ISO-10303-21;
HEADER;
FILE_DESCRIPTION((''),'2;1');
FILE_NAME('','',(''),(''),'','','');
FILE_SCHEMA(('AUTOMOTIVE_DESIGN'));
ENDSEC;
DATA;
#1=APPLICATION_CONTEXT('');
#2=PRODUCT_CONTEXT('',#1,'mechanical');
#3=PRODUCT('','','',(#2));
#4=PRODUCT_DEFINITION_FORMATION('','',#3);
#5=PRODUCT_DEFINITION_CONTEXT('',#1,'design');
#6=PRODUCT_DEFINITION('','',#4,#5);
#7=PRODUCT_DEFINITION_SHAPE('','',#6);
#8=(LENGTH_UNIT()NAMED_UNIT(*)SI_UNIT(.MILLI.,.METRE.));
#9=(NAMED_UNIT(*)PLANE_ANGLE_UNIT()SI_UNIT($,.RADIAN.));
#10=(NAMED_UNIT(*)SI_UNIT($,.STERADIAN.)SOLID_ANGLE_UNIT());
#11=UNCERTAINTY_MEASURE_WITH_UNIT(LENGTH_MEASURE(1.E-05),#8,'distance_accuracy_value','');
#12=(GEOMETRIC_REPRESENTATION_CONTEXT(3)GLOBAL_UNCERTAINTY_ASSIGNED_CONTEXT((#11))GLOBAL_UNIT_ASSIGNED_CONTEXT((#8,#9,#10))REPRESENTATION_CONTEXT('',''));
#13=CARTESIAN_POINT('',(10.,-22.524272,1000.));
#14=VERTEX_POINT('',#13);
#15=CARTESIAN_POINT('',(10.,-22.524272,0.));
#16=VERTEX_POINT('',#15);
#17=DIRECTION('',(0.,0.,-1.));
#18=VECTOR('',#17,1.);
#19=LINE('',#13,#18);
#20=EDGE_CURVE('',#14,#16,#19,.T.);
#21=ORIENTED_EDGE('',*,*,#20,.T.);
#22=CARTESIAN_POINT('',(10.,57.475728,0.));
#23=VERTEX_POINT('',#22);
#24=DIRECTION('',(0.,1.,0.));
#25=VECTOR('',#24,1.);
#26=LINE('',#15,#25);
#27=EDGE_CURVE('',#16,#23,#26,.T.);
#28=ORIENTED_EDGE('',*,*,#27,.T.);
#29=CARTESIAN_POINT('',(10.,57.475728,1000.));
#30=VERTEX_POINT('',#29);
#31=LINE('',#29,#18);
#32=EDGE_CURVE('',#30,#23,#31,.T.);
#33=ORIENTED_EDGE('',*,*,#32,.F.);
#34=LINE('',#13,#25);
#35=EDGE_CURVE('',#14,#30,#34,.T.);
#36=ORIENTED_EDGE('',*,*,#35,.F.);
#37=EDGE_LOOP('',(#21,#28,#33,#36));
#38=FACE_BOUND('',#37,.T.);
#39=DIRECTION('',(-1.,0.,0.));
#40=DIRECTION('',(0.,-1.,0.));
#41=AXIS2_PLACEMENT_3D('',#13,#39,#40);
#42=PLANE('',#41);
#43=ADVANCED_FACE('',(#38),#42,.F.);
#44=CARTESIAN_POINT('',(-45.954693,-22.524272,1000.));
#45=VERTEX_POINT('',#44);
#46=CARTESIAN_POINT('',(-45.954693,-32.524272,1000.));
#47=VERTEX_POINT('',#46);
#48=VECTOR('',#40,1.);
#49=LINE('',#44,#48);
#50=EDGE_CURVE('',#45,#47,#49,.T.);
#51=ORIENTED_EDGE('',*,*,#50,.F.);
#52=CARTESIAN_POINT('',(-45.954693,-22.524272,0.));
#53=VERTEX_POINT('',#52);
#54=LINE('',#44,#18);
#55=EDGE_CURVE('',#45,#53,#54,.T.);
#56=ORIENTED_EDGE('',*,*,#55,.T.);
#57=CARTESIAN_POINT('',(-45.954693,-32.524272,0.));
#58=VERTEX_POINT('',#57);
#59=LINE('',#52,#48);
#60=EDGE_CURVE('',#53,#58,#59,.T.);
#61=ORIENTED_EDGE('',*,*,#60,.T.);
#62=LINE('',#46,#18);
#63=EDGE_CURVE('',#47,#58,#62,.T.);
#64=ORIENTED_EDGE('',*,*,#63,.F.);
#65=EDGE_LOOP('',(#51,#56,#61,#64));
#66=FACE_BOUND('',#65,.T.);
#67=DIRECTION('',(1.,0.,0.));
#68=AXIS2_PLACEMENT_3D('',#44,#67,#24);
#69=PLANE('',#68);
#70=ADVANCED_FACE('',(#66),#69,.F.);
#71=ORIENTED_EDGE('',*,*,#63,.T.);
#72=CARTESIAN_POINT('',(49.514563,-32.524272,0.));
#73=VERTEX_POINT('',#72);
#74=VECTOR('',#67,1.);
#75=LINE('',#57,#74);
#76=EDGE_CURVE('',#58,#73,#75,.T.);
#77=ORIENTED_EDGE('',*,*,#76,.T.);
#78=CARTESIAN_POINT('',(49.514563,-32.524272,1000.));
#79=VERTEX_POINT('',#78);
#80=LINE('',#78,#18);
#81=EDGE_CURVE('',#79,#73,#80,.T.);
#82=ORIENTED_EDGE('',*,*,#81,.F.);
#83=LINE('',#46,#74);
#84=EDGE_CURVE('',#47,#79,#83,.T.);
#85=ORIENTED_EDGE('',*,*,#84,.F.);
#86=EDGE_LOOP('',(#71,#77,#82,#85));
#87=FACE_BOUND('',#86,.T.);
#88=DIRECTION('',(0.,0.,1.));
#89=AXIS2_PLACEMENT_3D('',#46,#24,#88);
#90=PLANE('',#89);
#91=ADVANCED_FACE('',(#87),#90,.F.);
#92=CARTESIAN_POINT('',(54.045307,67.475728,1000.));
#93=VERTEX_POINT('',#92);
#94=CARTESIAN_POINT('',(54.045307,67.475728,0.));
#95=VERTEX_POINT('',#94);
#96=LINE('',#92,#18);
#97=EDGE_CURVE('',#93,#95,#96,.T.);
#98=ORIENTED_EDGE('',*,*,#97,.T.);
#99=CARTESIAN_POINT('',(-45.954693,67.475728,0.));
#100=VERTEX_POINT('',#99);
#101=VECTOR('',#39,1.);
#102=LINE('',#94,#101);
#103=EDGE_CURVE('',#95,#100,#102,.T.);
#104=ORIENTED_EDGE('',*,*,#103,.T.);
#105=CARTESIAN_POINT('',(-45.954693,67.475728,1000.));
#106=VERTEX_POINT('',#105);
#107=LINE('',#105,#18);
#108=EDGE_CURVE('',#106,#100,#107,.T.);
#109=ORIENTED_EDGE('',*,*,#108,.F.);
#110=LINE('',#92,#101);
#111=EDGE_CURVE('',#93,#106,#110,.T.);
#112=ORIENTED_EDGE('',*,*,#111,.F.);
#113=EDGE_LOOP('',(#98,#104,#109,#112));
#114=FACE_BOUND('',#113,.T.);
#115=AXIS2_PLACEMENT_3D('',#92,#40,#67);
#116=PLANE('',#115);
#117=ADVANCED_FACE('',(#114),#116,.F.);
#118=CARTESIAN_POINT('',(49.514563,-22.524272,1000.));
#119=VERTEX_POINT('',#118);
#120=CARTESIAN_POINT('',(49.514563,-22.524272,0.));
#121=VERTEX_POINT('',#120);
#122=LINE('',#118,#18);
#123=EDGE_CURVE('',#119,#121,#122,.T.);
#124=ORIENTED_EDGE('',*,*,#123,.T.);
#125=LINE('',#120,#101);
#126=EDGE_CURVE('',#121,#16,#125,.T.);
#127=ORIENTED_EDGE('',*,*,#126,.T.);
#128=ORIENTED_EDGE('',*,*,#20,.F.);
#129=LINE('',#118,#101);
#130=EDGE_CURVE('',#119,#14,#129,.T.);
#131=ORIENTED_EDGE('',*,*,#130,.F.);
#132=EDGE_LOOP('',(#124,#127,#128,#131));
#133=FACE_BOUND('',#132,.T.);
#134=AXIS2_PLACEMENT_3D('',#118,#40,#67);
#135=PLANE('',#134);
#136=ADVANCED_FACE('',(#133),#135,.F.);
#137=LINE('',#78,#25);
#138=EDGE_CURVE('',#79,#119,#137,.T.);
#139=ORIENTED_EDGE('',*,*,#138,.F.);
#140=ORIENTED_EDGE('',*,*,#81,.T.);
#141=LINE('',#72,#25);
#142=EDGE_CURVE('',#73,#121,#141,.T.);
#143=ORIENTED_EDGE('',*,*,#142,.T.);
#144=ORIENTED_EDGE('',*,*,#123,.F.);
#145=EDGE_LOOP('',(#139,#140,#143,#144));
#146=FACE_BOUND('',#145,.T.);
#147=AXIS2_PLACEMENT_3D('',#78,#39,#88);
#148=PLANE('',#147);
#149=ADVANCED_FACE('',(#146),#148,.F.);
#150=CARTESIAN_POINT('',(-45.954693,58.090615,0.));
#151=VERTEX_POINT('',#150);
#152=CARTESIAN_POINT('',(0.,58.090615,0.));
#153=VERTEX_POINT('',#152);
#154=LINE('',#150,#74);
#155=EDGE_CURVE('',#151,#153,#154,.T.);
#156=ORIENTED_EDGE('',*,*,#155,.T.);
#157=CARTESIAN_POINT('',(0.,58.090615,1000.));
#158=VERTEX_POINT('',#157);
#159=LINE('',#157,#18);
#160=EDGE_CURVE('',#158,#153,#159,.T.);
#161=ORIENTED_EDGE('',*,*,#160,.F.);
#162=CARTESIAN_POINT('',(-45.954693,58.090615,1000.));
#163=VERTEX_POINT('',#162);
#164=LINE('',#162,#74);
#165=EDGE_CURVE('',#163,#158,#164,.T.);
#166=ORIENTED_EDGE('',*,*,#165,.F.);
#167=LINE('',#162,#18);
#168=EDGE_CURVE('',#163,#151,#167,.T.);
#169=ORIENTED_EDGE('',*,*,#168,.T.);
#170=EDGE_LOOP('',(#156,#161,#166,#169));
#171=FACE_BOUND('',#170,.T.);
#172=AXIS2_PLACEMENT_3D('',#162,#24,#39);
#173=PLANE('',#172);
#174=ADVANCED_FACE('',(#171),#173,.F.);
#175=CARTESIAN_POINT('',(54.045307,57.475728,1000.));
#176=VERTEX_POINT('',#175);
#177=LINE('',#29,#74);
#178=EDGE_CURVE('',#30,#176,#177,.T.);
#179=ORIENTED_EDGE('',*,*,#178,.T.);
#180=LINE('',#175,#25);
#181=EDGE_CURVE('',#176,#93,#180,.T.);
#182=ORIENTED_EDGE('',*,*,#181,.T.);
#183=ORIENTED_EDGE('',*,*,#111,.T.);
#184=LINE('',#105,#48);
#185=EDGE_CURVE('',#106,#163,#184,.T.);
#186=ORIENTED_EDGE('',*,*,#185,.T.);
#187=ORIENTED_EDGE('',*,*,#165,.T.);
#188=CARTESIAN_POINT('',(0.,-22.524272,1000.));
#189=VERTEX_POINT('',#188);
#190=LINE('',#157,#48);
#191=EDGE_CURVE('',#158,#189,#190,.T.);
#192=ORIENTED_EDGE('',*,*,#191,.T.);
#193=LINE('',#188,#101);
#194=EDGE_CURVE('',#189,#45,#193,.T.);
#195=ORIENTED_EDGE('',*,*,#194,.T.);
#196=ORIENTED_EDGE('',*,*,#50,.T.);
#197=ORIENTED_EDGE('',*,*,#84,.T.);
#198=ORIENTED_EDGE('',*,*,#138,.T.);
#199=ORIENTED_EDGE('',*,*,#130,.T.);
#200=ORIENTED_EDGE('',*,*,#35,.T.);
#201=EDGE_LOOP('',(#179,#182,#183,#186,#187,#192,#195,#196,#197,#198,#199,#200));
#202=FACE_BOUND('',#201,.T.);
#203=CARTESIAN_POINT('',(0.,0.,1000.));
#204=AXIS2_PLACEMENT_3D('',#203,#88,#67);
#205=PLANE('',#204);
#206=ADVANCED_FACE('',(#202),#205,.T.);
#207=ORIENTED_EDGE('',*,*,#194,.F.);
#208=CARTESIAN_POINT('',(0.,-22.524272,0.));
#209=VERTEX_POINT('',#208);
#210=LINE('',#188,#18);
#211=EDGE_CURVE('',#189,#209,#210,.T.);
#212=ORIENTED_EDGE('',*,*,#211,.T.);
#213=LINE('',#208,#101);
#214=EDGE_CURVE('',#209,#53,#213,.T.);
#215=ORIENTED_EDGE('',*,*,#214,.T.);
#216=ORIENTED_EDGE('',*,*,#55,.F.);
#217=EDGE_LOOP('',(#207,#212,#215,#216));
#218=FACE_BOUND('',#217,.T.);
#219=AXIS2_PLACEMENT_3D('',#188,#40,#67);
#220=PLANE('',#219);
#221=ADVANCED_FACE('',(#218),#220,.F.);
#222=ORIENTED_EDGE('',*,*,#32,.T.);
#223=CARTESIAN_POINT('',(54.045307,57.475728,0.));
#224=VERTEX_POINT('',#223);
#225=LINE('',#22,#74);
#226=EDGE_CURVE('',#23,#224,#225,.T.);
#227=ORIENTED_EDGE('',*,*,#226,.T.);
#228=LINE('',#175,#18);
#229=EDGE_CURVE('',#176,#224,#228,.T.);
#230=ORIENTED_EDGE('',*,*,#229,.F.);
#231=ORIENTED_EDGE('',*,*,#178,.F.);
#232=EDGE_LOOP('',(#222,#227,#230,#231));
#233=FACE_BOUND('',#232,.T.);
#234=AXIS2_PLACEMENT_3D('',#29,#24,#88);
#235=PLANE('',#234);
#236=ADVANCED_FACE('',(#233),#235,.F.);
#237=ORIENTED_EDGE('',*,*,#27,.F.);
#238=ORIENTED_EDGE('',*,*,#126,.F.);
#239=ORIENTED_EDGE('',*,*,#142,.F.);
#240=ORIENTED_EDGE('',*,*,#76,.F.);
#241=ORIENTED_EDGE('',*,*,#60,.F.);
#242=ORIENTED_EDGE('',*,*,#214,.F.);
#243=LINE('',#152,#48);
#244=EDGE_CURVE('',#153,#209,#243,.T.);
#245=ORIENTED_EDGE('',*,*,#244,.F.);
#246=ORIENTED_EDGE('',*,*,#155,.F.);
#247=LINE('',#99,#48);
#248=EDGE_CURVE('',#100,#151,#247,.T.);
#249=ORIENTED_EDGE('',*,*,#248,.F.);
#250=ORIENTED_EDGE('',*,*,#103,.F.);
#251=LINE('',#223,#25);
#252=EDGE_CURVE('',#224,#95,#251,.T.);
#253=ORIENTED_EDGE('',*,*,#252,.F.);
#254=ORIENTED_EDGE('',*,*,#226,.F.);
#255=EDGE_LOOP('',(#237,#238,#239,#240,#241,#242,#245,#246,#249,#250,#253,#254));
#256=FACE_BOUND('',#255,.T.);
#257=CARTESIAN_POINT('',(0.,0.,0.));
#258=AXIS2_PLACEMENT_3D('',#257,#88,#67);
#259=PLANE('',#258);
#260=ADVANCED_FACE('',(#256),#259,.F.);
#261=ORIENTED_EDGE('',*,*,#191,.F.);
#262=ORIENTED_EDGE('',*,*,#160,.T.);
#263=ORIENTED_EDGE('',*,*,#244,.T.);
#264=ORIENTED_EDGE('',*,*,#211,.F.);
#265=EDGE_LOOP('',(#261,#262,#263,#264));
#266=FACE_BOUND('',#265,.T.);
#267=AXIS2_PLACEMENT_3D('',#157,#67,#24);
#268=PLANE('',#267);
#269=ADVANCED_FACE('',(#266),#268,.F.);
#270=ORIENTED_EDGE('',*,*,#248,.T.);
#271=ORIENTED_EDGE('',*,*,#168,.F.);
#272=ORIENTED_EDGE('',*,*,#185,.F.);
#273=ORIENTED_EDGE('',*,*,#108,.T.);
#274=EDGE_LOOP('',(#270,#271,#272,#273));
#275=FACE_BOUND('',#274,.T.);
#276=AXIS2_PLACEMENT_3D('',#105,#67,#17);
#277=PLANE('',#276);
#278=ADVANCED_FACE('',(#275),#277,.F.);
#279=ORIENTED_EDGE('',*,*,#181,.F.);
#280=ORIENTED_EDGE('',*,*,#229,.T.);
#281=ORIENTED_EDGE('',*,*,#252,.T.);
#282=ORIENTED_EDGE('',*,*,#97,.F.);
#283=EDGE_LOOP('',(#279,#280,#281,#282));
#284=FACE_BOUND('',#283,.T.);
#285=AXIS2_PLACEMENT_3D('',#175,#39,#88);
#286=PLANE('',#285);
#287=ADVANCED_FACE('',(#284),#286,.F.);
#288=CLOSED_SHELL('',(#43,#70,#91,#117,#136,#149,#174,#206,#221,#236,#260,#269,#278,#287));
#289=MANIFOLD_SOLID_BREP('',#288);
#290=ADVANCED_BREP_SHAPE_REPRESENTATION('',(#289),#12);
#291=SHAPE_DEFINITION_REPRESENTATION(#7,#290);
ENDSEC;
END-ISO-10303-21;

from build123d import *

# Parameters (mm, degrees)
BOSS_EXTRUDE1_DEPTH = 1000


with BuildPart() as part:
    # Sketch1 → Boss-Extrude1 (new body)
    with BuildSketch(Plane.XY):
        Polygon((-45.954692557, 67.475728155), (-45.954692557, 58.090614887), (0, 58.090614887), (0, -22.524271845), (-45.954692557, -22.524271845), (-45.954692557, -32.524271845), (49.514563107, -32.524271845), (49.514563107, -22.524271845), (10, -22.524271845), (10, 57.475728155), (54.045307443, 57.475728155), (54.045307443, 67.475728155), align=None)
    extrude(amount=BOSS_EXTRUDE1_DEPTH)


solid = part.part
